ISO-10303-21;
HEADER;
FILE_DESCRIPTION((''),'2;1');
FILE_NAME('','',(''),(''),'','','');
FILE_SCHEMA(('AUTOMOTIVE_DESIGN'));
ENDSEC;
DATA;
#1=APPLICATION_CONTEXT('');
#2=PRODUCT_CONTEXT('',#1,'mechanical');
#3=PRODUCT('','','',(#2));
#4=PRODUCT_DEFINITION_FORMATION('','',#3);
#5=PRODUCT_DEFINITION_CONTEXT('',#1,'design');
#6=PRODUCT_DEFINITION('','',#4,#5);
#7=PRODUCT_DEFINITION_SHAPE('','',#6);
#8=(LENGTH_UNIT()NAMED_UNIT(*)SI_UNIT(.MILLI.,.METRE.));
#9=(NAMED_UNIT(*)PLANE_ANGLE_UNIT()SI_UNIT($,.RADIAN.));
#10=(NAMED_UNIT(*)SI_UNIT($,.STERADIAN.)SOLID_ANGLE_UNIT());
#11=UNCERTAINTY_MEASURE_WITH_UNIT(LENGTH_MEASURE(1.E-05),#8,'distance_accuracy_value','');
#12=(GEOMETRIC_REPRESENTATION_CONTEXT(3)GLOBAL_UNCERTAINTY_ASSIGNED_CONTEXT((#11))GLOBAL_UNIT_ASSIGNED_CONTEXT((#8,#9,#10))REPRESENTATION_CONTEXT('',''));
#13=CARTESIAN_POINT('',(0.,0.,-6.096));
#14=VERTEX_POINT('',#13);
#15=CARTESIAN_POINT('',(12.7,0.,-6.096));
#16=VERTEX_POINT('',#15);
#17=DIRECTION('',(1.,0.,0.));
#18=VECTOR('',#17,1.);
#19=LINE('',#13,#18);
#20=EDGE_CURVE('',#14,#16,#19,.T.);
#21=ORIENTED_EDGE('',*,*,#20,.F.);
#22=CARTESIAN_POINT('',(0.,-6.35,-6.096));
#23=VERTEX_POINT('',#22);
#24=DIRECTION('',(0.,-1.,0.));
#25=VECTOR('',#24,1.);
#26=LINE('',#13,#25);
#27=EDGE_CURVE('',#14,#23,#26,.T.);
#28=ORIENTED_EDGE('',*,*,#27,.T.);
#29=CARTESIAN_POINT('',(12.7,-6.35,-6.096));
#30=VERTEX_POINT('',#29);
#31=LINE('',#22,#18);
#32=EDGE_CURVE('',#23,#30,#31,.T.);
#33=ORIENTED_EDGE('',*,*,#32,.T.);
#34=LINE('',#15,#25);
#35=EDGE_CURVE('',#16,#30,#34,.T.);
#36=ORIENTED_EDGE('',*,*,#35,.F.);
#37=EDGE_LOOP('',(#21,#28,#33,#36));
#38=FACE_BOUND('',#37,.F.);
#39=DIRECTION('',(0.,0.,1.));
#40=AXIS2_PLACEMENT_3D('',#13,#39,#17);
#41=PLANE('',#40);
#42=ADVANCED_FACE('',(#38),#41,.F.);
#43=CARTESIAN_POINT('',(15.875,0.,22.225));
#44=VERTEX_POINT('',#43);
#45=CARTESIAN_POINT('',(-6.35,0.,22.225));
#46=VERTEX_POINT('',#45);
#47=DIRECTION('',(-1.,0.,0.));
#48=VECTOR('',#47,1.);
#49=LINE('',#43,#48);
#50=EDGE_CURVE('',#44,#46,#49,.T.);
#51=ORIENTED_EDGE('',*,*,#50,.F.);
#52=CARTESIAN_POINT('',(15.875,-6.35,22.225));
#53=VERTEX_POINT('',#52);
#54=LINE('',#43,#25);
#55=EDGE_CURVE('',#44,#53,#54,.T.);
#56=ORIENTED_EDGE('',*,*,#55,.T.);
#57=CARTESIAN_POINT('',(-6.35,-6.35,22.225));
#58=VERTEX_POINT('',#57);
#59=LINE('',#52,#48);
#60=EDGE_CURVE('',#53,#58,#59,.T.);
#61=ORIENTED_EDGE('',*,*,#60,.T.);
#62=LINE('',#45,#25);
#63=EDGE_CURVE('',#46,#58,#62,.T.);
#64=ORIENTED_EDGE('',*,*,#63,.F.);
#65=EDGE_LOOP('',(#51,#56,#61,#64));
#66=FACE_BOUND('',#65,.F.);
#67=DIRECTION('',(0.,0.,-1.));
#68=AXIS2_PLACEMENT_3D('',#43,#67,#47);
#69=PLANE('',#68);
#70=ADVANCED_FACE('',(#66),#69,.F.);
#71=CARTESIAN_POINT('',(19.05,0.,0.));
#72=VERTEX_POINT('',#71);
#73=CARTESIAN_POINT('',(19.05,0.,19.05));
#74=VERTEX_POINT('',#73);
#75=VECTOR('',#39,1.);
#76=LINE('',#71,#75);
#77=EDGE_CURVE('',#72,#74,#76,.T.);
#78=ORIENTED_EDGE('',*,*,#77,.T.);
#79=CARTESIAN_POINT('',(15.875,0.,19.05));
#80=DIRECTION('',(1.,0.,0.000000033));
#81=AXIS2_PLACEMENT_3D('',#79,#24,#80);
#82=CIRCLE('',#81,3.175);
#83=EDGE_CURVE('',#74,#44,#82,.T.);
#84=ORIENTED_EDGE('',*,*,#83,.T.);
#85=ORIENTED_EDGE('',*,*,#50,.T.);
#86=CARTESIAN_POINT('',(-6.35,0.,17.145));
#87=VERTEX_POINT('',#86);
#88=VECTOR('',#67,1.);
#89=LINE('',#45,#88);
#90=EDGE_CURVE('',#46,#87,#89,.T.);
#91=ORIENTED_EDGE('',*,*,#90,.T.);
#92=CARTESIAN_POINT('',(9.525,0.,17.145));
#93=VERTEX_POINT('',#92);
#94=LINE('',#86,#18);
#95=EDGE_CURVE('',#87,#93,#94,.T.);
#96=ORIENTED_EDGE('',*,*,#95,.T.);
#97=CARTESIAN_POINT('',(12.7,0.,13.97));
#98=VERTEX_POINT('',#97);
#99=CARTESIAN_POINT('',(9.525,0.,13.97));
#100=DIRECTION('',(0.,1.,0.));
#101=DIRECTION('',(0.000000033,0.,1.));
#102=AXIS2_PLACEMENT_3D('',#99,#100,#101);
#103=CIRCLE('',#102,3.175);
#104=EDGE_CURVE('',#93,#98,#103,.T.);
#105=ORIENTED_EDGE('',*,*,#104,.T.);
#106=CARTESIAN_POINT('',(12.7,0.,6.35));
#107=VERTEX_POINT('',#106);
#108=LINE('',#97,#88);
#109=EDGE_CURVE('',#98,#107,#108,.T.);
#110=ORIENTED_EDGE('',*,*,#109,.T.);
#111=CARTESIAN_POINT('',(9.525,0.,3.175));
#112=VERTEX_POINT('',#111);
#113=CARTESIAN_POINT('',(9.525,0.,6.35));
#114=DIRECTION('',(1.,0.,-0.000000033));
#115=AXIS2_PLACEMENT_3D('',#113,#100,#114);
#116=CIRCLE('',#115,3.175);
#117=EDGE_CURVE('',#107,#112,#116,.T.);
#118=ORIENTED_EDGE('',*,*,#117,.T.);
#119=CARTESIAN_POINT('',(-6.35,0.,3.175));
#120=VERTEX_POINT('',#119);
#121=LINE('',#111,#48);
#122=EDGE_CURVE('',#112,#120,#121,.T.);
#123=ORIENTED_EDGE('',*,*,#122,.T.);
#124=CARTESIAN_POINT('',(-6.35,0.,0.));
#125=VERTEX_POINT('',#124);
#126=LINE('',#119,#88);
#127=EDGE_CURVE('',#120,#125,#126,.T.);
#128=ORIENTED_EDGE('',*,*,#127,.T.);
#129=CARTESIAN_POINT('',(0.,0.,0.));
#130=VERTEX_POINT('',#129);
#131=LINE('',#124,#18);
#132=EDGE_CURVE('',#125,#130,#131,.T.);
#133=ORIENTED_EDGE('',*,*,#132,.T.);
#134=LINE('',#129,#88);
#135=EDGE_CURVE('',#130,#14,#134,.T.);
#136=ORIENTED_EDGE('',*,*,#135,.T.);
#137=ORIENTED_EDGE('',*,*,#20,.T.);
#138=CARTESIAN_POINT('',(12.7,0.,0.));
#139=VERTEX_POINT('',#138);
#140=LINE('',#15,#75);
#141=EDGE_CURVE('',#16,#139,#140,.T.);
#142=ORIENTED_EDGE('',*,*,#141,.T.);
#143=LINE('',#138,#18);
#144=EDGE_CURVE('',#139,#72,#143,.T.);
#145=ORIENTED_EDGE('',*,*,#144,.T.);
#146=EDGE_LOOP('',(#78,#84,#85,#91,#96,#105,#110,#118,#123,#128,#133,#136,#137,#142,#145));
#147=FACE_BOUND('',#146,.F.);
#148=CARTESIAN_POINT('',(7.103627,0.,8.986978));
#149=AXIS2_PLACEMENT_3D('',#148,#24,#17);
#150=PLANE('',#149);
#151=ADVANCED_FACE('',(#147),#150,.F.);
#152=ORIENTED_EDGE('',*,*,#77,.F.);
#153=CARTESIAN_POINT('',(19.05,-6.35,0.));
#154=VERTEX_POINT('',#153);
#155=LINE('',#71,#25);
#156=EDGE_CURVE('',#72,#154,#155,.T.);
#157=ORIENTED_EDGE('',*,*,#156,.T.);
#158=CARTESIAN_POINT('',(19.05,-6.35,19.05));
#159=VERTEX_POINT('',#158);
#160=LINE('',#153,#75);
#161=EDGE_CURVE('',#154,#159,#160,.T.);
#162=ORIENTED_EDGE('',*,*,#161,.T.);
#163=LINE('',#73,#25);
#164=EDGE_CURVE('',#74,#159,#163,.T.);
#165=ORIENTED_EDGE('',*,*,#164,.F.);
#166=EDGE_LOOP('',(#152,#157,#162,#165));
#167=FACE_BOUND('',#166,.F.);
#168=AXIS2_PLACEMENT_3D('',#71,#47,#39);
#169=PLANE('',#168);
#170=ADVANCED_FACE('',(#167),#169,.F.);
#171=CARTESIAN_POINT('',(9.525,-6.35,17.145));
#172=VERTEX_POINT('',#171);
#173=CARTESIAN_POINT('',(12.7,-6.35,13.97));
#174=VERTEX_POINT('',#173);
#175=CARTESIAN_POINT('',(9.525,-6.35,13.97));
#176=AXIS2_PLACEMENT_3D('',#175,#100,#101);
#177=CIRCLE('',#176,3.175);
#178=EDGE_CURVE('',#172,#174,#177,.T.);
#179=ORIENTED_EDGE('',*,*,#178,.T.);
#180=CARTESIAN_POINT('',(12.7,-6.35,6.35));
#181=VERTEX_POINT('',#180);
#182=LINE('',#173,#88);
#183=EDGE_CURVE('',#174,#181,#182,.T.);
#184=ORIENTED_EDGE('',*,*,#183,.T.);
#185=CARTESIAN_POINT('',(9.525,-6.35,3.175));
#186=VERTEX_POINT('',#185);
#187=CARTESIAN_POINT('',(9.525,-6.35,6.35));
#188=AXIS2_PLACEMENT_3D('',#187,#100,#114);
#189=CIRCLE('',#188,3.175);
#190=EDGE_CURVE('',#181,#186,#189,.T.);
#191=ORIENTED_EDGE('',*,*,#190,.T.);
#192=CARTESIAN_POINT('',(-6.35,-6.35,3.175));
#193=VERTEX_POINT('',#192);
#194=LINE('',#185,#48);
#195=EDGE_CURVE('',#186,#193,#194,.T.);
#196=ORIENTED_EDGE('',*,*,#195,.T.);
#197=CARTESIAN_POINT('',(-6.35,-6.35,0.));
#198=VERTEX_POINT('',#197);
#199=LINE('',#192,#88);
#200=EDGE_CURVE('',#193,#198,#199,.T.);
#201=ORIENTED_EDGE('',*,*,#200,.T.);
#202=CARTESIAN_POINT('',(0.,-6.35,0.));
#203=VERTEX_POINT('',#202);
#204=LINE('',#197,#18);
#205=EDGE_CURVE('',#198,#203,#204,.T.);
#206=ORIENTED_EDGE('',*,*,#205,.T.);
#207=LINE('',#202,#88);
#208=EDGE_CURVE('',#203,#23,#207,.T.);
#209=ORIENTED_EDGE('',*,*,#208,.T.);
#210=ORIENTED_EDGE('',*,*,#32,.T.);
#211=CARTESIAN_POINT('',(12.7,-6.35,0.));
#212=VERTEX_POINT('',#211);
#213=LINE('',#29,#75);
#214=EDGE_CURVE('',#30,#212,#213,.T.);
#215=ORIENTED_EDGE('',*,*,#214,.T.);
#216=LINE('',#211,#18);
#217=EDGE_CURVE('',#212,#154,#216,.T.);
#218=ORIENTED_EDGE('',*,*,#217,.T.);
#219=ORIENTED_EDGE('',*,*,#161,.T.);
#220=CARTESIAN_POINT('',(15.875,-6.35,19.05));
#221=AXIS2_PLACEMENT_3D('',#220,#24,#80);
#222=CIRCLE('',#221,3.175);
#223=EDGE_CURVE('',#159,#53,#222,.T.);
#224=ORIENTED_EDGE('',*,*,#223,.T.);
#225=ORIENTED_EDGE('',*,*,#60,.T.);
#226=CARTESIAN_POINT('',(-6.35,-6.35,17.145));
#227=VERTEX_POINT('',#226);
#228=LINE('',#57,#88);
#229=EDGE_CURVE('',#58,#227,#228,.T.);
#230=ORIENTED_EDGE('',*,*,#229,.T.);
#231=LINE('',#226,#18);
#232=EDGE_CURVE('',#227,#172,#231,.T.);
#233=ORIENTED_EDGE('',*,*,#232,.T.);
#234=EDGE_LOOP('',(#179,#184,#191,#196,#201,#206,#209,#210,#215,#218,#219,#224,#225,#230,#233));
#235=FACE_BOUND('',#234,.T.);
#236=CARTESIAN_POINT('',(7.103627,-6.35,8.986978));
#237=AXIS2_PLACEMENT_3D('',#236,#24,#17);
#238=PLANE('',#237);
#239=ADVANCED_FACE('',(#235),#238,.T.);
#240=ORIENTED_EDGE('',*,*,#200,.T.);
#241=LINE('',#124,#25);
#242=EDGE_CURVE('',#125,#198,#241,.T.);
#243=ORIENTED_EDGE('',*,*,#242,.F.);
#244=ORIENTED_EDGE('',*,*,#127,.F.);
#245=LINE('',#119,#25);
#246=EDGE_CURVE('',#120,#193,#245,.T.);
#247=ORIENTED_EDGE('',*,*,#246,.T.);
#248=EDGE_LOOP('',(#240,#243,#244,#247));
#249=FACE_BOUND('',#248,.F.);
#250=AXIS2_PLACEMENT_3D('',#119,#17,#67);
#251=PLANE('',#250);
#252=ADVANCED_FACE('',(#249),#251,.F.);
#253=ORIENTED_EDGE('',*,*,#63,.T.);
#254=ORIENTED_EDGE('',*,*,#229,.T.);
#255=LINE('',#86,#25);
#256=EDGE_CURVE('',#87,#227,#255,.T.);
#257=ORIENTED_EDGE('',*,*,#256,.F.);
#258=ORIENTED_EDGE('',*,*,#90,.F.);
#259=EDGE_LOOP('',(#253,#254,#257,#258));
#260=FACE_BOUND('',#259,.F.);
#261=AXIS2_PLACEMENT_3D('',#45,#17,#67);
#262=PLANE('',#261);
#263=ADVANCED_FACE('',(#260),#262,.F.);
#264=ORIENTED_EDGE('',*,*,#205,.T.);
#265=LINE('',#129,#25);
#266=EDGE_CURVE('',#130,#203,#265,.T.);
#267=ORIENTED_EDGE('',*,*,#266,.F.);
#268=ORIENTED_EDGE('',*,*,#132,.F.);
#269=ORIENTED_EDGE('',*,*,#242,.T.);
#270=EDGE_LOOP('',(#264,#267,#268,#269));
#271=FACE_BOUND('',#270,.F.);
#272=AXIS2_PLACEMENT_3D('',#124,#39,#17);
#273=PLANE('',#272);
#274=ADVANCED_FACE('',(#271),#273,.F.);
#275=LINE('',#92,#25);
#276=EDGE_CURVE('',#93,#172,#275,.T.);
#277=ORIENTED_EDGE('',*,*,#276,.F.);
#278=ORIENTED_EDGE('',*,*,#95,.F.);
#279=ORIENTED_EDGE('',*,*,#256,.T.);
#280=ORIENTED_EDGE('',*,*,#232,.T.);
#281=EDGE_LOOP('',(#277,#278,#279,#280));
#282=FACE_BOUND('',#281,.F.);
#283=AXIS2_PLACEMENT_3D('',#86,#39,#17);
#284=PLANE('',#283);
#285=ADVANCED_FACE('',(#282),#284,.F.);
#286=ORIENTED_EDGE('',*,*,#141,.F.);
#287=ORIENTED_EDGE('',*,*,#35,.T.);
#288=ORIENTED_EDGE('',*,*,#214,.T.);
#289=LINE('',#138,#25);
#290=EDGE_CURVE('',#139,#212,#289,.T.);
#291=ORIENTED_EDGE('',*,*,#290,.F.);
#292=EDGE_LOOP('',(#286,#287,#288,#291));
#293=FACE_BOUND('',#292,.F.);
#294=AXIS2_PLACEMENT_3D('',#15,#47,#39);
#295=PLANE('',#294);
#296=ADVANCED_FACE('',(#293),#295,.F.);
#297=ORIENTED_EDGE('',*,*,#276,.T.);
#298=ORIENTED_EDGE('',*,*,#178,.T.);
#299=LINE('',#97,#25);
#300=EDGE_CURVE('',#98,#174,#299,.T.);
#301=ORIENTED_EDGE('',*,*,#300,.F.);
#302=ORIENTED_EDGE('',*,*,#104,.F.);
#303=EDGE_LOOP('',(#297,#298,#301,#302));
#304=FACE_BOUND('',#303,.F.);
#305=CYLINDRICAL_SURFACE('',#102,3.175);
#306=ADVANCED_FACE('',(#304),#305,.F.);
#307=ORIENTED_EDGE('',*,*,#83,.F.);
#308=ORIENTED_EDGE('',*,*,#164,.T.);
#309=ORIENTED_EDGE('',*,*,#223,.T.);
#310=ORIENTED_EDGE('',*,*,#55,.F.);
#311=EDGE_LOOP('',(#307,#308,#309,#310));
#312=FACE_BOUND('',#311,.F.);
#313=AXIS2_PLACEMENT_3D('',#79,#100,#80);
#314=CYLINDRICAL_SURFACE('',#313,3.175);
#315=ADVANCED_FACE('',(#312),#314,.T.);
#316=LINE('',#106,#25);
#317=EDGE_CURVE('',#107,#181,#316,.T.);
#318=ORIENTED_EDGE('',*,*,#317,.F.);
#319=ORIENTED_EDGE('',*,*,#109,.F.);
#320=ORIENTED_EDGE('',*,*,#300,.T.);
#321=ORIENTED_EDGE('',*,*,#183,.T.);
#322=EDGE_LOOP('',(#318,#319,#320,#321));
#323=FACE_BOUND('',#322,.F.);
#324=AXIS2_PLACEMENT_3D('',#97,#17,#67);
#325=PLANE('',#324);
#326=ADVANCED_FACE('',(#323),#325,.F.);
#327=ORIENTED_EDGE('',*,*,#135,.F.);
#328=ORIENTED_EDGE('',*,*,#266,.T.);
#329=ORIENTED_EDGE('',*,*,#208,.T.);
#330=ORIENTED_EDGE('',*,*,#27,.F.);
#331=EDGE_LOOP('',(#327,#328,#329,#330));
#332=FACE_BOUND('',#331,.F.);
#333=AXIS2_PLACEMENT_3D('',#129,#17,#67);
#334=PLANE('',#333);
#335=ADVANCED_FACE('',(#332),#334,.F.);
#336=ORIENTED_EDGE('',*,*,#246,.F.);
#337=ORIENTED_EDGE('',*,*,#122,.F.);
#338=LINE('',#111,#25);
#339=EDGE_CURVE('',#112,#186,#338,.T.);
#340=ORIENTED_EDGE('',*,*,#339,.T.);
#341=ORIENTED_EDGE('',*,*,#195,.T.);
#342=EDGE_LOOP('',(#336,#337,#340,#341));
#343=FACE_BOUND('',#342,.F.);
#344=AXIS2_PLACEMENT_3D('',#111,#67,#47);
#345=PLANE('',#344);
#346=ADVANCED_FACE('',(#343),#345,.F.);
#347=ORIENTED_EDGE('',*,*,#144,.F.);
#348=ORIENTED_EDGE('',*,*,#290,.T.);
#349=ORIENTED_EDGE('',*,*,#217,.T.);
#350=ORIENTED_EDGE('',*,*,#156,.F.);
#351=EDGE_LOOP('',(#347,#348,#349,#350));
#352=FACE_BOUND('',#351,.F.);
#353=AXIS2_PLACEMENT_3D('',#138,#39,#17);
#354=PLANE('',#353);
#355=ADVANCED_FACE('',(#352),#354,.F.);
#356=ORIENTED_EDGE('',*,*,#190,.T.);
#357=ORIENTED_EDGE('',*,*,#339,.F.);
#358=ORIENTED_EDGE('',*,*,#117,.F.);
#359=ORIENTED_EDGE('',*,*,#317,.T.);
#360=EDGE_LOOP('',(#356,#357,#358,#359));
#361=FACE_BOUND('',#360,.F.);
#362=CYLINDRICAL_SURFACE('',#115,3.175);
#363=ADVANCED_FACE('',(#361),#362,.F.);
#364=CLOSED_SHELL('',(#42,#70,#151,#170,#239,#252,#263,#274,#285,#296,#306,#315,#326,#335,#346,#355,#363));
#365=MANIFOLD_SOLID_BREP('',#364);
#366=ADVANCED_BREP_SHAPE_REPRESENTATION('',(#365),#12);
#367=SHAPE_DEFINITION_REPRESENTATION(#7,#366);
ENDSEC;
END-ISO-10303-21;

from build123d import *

# Parameters (mm, degrees)
F1_DEPTH = 6.35


with BuildPart() as f1:
    # F0 (on Front) → F1 (new body)
    with BuildSketch(Plane.XZ):
        with BuildLine():
            Line((0, 0), (0, -6.096))
            Line((0, -6.096), (12.7, -6.096))
            Line((12.7, -6.096), (12.7, 0))
            Line((12.7, 0), (19.05, 0))
            Line((19.05, 0), (19.05, 3.175))
            Line((19.05, 3.175), (19.05, 19.05))
            ThreePointArc((19.05, 19.05), (18.120064, 21.295064), (15.875, 22.225))
            Line((15.875, 22.225), (-6.35, 22.225))
            Line((-6.35, 22.225), (-6.35, 17.145))
            Line((-6.35, 17.145), (9.525, 17.145))
            ThreePointArc((9.525, 17.145), (11.770064, 16.215064), (12.7, 13.97))
            Line((12.7, 13.97), (12.7, 6.35))
            ThreePointArc((12.7, 6.35), (11.770064, 4.104936), (9.525, 3.175))
            Line((9.525, 3.175), (-6.35, 3.175))
            Line((-6.35, 3.175), (-6.35, 0))
            Line((-6.35, 0), (0, 0))
        make_face()
    extrude(amount=F1_DEPTH)


solid = f1.part
